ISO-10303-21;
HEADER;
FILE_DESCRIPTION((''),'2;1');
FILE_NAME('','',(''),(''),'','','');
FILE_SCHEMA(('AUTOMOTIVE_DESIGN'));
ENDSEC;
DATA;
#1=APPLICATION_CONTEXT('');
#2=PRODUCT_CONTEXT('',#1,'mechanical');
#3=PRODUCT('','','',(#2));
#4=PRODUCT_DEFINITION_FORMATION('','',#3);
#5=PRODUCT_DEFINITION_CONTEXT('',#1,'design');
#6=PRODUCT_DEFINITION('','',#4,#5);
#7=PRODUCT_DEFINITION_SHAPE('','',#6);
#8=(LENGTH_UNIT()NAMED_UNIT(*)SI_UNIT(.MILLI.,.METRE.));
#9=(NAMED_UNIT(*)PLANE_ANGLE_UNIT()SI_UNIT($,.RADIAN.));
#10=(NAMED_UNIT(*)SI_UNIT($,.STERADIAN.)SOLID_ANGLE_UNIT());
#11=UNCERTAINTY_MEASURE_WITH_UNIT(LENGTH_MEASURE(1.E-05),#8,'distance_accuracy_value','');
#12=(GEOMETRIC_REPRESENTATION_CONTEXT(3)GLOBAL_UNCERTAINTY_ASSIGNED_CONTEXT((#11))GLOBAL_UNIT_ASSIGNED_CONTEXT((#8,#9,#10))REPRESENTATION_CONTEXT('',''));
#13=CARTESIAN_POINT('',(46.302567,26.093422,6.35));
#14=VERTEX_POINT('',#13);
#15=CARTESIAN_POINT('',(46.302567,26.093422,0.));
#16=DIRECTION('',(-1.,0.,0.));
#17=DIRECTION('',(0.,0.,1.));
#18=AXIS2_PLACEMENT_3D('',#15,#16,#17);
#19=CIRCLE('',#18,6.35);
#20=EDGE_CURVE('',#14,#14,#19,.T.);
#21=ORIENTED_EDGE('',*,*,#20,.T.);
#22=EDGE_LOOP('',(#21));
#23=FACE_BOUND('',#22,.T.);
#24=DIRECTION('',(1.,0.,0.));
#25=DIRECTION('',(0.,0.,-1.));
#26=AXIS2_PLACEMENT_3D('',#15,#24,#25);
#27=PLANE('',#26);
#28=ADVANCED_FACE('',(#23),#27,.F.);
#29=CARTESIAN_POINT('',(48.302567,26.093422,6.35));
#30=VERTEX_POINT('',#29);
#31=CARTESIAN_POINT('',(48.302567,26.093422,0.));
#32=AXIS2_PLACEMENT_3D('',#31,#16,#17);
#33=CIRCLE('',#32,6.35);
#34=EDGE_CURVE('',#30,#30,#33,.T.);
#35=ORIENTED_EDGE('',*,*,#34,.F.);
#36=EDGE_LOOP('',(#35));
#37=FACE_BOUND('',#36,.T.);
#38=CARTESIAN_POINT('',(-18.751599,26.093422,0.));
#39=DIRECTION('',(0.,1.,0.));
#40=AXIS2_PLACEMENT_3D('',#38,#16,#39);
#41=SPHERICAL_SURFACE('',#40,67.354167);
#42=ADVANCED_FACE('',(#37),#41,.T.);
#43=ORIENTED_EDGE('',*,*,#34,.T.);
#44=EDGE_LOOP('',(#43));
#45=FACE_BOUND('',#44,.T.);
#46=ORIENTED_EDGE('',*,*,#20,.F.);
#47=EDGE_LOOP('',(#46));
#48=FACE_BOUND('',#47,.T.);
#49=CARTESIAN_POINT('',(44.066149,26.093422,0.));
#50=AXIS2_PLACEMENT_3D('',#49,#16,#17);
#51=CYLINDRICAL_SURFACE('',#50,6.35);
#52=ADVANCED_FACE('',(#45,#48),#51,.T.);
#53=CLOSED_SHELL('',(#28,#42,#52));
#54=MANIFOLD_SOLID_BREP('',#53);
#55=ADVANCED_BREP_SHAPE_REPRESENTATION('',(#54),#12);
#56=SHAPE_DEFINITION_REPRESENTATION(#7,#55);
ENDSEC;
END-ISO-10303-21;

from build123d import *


with BuildPart() as part:
    # 草图1 → 旋转1 (revolve)
    with BuildSketch(Plane.XY):
        with BuildLine():
            Line((46.302567292, 26.093421971), (46.302567292, 32.443421971))
            Line((46.302567292, 32.443421971), (48.302567292, 32.443421971))
            ThreePointArc((48.302567292, 32.443421971), (48.527525488, 29.271963303), (48.602567292, 26.093421971))
            Line((48.602567292, 26.093421971), (46.302567292, 26.093421971))
        make_face()
    revolve(axis=Axis((44.066149291, 26.093421971, 0), (1, 0, 0)))


solid = part.part
